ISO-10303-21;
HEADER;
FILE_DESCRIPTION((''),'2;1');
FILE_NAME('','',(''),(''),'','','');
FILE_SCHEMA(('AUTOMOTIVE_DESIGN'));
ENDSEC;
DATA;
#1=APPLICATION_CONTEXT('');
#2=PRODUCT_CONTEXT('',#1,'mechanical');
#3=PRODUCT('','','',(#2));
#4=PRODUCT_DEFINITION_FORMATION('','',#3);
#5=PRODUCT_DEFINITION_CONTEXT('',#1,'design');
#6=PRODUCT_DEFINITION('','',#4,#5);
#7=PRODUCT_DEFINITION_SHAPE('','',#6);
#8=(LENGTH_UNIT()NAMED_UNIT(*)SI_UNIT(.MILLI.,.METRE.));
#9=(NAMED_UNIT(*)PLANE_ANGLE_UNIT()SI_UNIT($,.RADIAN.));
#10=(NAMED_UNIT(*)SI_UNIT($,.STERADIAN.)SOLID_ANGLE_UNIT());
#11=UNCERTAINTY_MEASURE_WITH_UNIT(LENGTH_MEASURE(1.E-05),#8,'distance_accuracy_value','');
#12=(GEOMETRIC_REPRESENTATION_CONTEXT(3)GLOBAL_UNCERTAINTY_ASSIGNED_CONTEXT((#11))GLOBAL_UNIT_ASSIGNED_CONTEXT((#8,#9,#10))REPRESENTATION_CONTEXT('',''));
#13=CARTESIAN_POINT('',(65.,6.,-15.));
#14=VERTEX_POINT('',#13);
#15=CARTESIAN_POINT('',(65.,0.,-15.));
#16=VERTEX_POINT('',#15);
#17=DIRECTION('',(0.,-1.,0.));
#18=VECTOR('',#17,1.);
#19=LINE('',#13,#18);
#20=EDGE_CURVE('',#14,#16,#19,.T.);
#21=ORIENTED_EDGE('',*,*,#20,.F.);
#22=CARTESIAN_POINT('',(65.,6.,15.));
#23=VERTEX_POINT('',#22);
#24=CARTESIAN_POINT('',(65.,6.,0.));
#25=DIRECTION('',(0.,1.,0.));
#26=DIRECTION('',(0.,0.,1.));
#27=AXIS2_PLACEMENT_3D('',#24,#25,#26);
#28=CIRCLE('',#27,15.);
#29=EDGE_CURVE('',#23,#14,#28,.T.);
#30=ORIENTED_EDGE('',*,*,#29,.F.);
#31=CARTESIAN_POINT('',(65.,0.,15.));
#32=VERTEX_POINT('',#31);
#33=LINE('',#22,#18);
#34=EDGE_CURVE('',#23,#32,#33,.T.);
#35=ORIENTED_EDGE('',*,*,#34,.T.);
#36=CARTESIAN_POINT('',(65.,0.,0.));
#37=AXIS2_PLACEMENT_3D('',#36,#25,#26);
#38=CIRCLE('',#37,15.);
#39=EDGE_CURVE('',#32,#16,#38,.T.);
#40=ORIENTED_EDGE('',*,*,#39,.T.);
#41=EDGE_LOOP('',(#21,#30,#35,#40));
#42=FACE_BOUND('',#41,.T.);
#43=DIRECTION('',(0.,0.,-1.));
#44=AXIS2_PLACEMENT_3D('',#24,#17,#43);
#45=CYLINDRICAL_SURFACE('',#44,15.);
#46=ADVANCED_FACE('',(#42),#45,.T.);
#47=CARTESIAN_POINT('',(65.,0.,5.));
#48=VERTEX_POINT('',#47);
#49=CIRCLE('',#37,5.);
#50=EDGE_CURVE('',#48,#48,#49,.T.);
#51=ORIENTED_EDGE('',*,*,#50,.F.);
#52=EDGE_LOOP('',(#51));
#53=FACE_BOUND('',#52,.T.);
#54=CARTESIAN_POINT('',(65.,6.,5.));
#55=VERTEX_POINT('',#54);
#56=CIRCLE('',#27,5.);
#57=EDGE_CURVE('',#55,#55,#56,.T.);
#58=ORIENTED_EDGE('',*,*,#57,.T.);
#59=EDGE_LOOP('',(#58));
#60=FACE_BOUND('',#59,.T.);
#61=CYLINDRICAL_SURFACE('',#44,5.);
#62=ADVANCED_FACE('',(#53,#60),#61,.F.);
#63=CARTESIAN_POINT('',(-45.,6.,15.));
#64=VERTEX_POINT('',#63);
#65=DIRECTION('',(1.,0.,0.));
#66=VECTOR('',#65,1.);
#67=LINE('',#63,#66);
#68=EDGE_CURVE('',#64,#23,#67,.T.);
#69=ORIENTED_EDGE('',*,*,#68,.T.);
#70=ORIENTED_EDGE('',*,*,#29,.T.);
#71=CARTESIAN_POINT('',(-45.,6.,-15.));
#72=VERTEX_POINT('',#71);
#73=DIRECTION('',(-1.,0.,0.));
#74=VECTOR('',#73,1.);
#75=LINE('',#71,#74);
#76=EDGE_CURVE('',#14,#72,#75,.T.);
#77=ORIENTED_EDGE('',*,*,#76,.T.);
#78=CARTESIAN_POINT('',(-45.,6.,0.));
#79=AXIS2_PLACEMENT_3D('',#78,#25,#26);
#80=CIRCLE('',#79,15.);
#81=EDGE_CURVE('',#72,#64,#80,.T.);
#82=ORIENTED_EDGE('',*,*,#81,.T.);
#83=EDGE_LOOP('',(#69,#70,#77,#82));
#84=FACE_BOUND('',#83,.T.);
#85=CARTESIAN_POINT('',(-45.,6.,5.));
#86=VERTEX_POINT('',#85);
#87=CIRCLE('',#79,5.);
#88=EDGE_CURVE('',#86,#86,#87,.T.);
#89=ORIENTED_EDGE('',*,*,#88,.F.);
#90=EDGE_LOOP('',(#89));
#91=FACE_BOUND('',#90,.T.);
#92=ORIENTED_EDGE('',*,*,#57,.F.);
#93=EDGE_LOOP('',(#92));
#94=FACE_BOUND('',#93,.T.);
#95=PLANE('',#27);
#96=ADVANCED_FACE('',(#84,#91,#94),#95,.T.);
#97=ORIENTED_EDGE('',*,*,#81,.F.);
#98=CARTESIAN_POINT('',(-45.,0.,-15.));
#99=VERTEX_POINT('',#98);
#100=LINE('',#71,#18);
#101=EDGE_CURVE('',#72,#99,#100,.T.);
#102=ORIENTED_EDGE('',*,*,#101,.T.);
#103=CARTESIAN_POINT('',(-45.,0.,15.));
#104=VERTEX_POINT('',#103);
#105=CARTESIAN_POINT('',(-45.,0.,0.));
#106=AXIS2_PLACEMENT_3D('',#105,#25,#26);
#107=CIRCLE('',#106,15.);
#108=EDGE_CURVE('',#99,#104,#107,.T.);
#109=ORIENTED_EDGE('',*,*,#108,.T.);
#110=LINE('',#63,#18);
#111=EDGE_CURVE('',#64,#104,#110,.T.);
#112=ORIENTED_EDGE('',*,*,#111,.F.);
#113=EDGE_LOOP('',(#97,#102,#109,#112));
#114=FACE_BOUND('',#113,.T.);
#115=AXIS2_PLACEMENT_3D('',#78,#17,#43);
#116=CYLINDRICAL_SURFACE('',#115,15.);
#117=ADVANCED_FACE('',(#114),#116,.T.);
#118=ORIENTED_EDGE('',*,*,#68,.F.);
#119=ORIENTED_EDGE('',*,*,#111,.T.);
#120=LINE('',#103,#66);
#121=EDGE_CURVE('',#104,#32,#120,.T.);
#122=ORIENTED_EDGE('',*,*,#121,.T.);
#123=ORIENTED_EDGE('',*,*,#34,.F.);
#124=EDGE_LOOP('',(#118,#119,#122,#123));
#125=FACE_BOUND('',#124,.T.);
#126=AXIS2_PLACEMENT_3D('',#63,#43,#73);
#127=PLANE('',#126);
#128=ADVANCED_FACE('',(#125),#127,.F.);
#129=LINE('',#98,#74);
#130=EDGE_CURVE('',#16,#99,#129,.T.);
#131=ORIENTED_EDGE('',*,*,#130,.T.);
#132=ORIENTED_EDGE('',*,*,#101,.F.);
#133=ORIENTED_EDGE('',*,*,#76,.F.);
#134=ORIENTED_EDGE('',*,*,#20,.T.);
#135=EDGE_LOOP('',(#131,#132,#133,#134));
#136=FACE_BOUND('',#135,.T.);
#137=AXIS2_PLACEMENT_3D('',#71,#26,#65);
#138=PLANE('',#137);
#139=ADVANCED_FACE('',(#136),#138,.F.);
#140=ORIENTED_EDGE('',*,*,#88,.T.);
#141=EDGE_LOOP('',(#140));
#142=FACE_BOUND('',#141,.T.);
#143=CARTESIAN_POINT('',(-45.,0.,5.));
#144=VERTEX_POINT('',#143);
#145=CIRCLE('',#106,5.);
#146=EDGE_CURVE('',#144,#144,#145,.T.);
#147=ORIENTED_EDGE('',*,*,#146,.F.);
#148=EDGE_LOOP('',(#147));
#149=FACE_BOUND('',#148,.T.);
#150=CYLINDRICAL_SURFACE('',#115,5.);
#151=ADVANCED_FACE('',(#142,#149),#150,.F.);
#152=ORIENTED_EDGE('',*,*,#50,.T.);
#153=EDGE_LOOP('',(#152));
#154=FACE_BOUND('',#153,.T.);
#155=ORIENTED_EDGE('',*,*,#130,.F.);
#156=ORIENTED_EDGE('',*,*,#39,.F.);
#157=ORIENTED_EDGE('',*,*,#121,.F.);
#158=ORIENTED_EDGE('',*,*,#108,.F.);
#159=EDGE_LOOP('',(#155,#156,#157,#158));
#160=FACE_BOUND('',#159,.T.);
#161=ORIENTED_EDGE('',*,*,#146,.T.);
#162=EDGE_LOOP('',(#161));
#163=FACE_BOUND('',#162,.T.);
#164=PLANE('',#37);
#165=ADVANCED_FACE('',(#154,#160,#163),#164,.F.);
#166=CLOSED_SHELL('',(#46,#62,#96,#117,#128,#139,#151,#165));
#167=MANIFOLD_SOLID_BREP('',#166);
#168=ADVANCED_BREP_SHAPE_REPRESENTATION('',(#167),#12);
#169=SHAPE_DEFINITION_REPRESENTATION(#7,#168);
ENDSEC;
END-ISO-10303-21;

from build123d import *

# Parameters (mm, degrees)
SKETCH2_R           = 5
BOSS_EXTRUDE1_DEPTH = 6


with BuildPart() as part:
    # Sketch2 → Boss-Extrude1 (new body)
    with BuildSketch(Plane(origin=(0, 0, 0), x_dir=(1, 0, 0), z_dir=(0, 1, 0))):
        with BuildLine():
            Line((-45, 15), (65, 15))
            ThreePointArc((65, 15), (80, 0), (65, -15))
            Line((65, -15), (-45, -15))
            ThreePointArc((-45, -15), (-60, 0), (-45, 15))
        make_face()
        with Locations(Location((-45, 0, 0), (0, 0, 270))):
            Circle(SKETCH2_R, mode=Mode.SUBTRACT)
        with Locations(Location((65, 0, 0), (0, 0, 270))):
            Circle(SKETCH2_R, mode=Mode.SUBTRACT)
    extrude(amount=BOSS_EXTRUDE1_DEPTH)


solid = part.part
